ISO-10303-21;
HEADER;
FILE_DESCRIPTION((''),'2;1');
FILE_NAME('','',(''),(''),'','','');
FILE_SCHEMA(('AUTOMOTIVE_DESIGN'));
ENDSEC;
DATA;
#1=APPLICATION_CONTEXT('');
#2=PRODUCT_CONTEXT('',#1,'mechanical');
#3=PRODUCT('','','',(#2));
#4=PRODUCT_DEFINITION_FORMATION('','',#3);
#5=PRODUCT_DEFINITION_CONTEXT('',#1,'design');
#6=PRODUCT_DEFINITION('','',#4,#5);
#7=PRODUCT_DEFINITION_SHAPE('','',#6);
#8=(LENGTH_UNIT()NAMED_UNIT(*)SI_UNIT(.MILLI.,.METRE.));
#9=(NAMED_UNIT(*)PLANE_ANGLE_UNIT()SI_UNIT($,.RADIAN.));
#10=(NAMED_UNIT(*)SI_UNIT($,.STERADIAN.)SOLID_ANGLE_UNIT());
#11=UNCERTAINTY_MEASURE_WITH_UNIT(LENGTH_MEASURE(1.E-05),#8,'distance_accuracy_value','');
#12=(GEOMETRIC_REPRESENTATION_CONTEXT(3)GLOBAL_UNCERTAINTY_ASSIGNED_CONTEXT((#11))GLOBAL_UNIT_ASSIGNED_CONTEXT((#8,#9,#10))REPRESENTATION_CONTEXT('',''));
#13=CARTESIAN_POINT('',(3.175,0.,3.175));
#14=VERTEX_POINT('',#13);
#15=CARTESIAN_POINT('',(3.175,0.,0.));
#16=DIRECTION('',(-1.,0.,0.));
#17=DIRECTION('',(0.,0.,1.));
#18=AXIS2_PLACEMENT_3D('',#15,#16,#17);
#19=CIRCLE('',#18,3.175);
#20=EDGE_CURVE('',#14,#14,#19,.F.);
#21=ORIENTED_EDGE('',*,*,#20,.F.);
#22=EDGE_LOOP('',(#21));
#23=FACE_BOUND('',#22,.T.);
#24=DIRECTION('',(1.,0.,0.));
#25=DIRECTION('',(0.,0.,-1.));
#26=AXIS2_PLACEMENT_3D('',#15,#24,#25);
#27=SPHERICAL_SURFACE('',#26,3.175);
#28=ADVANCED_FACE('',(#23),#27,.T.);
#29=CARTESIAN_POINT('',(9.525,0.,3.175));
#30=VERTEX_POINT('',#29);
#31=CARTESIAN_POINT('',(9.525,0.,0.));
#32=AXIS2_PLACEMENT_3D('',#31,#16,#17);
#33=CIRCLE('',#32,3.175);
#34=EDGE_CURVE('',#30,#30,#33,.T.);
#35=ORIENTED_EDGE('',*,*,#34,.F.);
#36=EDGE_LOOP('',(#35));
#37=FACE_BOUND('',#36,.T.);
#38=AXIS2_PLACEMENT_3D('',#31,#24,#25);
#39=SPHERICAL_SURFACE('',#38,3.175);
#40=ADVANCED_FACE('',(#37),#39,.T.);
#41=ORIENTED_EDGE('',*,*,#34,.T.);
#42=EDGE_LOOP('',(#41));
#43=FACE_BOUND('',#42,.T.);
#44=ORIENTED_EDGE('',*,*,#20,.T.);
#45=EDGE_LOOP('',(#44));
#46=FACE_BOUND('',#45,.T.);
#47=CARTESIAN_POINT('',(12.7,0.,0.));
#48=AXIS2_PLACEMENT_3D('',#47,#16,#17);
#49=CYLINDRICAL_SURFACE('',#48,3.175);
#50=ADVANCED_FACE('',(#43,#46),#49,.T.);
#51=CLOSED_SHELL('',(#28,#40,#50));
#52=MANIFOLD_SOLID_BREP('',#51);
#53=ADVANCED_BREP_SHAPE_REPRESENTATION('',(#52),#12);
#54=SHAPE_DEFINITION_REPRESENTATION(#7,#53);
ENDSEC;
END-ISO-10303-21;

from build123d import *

# Parameters (mm, degrees)
SKETCH1_R           = 3.175
BOSS_EXTRUDE1_DEPTH = 12.7
FILLET1_R           = 3.175


with BuildPart() as part:
    # Sketch1 → Boss-Extrude1 (new body)
    with BuildSketch(Plane(origin=(0, 0, 0), x_dir=(0, 0, -1), z_dir=(1, 0, 0))):
        Circle(SKETCH1_R)
    extrude(amount=BOSS_EXTRUDE1_DEPTH)

    # Fillet1
    fillet1_edges = [part.edges().sort_by_distance(p)[0] for p in [
        (0, 0, 3.175),
        (12.7, 0, 3.175),
    ]]
    fillet(fillet1_edges, radius=FILLET1_R)


solid = part.part
